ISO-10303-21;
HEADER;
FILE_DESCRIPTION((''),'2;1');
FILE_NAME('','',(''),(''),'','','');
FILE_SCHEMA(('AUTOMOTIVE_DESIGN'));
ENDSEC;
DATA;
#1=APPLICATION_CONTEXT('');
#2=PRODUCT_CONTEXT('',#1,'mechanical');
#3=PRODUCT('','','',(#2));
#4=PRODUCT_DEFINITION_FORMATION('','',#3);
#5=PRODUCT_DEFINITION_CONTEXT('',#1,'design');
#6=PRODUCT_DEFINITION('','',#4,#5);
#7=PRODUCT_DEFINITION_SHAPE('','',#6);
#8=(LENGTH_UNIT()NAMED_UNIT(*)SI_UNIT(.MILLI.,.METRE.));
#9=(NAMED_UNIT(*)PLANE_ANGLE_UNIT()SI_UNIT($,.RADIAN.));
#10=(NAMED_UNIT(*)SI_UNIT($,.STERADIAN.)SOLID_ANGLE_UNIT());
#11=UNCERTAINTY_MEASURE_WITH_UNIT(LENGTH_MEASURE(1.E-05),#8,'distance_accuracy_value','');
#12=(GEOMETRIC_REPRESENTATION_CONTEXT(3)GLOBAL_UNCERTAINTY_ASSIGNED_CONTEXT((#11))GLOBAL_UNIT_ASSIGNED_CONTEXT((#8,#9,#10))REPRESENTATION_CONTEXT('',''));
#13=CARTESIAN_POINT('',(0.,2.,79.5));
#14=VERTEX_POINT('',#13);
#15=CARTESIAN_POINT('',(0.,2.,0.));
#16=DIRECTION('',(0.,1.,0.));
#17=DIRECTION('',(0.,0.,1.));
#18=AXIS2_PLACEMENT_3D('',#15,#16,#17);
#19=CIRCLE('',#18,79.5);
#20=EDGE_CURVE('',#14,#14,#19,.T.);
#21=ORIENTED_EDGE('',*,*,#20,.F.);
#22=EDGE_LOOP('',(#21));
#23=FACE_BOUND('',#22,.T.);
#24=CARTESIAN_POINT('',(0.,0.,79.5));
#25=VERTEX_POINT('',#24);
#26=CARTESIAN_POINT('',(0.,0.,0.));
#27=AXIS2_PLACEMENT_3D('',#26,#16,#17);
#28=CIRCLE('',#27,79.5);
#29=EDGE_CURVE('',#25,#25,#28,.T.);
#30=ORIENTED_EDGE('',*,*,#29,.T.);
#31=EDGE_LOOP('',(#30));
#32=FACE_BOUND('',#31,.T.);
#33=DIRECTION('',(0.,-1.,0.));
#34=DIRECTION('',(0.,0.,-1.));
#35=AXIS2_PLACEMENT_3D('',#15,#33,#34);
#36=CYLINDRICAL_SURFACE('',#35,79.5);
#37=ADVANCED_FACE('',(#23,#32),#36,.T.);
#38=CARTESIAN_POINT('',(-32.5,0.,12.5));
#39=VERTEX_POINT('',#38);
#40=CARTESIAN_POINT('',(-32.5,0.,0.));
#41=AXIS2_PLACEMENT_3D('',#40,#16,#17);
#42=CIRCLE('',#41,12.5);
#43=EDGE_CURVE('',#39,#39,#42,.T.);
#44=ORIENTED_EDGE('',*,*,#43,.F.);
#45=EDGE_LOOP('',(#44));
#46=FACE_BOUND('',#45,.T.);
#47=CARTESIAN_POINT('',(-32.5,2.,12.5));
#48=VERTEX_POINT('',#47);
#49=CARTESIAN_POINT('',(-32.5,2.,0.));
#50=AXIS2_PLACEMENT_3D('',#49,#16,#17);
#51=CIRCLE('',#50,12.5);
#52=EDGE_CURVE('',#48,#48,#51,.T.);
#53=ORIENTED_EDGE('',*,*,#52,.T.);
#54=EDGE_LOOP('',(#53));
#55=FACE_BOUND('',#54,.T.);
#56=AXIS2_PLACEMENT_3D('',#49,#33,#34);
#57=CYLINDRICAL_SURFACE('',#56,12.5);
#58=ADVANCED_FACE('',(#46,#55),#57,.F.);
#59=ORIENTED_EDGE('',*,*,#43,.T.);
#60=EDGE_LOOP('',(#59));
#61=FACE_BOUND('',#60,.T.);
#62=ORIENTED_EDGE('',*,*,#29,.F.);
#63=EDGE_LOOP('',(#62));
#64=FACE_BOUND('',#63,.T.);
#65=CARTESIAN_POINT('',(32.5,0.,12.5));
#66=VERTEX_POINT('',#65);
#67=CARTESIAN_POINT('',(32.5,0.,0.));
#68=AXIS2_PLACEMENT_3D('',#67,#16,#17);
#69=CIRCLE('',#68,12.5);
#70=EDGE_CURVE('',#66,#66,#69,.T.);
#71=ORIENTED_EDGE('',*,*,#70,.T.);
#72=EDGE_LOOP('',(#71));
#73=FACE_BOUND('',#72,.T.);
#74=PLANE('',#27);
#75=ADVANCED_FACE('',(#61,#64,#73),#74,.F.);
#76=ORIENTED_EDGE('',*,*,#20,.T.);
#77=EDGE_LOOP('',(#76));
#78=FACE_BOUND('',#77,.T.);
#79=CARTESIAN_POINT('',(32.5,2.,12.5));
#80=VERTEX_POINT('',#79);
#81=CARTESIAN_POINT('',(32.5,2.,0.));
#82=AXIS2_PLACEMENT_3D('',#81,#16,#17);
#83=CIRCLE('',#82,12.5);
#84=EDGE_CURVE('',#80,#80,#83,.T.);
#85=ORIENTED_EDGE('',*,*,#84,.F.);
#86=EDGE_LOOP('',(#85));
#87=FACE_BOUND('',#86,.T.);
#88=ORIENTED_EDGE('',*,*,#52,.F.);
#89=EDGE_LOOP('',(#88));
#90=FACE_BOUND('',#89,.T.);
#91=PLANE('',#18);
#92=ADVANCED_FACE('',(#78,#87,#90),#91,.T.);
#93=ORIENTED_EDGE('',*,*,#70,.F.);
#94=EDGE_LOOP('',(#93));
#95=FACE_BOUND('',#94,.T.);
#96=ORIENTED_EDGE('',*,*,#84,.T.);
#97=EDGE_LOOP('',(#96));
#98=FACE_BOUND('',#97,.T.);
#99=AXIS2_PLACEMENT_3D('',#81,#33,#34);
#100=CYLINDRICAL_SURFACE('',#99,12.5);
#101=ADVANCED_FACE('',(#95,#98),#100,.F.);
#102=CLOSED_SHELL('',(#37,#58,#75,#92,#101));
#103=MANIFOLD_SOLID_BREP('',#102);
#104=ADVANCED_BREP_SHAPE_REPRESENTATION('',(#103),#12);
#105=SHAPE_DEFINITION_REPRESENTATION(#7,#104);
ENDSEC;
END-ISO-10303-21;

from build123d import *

# Parameters (mm, degrees)
SKETCH1_R      = 79.5
SKETCH1_R_2    = 12.5
EXTRUDE1_DEPTH = 2


with BuildPart() as part:
    # Sketch1 → Extrude1 (new body)
    with BuildSketch(Plane(origin=(0, 0, 0), x_dir=(1, 0, 0), z_dir=(0, 1, 0))):
        with Locations(Location((0, 0, 0), (0, 0, 270))):
            Circle(SKETCH1_R)
        with Locations(Location((-32.5, 0, 0), (0, 0, 270))):
            Circle(SKETCH1_R_2, mode=Mode.SUBTRACT)
        with Locations(Location((32.5, 0, 0), (0, 0, 270))):
            Circle(SKETCH1_R_2, mode=Mode.SUBTRACT)
    extrude(amount=EXTRUDE1_DEPTH)


solid = part.part
